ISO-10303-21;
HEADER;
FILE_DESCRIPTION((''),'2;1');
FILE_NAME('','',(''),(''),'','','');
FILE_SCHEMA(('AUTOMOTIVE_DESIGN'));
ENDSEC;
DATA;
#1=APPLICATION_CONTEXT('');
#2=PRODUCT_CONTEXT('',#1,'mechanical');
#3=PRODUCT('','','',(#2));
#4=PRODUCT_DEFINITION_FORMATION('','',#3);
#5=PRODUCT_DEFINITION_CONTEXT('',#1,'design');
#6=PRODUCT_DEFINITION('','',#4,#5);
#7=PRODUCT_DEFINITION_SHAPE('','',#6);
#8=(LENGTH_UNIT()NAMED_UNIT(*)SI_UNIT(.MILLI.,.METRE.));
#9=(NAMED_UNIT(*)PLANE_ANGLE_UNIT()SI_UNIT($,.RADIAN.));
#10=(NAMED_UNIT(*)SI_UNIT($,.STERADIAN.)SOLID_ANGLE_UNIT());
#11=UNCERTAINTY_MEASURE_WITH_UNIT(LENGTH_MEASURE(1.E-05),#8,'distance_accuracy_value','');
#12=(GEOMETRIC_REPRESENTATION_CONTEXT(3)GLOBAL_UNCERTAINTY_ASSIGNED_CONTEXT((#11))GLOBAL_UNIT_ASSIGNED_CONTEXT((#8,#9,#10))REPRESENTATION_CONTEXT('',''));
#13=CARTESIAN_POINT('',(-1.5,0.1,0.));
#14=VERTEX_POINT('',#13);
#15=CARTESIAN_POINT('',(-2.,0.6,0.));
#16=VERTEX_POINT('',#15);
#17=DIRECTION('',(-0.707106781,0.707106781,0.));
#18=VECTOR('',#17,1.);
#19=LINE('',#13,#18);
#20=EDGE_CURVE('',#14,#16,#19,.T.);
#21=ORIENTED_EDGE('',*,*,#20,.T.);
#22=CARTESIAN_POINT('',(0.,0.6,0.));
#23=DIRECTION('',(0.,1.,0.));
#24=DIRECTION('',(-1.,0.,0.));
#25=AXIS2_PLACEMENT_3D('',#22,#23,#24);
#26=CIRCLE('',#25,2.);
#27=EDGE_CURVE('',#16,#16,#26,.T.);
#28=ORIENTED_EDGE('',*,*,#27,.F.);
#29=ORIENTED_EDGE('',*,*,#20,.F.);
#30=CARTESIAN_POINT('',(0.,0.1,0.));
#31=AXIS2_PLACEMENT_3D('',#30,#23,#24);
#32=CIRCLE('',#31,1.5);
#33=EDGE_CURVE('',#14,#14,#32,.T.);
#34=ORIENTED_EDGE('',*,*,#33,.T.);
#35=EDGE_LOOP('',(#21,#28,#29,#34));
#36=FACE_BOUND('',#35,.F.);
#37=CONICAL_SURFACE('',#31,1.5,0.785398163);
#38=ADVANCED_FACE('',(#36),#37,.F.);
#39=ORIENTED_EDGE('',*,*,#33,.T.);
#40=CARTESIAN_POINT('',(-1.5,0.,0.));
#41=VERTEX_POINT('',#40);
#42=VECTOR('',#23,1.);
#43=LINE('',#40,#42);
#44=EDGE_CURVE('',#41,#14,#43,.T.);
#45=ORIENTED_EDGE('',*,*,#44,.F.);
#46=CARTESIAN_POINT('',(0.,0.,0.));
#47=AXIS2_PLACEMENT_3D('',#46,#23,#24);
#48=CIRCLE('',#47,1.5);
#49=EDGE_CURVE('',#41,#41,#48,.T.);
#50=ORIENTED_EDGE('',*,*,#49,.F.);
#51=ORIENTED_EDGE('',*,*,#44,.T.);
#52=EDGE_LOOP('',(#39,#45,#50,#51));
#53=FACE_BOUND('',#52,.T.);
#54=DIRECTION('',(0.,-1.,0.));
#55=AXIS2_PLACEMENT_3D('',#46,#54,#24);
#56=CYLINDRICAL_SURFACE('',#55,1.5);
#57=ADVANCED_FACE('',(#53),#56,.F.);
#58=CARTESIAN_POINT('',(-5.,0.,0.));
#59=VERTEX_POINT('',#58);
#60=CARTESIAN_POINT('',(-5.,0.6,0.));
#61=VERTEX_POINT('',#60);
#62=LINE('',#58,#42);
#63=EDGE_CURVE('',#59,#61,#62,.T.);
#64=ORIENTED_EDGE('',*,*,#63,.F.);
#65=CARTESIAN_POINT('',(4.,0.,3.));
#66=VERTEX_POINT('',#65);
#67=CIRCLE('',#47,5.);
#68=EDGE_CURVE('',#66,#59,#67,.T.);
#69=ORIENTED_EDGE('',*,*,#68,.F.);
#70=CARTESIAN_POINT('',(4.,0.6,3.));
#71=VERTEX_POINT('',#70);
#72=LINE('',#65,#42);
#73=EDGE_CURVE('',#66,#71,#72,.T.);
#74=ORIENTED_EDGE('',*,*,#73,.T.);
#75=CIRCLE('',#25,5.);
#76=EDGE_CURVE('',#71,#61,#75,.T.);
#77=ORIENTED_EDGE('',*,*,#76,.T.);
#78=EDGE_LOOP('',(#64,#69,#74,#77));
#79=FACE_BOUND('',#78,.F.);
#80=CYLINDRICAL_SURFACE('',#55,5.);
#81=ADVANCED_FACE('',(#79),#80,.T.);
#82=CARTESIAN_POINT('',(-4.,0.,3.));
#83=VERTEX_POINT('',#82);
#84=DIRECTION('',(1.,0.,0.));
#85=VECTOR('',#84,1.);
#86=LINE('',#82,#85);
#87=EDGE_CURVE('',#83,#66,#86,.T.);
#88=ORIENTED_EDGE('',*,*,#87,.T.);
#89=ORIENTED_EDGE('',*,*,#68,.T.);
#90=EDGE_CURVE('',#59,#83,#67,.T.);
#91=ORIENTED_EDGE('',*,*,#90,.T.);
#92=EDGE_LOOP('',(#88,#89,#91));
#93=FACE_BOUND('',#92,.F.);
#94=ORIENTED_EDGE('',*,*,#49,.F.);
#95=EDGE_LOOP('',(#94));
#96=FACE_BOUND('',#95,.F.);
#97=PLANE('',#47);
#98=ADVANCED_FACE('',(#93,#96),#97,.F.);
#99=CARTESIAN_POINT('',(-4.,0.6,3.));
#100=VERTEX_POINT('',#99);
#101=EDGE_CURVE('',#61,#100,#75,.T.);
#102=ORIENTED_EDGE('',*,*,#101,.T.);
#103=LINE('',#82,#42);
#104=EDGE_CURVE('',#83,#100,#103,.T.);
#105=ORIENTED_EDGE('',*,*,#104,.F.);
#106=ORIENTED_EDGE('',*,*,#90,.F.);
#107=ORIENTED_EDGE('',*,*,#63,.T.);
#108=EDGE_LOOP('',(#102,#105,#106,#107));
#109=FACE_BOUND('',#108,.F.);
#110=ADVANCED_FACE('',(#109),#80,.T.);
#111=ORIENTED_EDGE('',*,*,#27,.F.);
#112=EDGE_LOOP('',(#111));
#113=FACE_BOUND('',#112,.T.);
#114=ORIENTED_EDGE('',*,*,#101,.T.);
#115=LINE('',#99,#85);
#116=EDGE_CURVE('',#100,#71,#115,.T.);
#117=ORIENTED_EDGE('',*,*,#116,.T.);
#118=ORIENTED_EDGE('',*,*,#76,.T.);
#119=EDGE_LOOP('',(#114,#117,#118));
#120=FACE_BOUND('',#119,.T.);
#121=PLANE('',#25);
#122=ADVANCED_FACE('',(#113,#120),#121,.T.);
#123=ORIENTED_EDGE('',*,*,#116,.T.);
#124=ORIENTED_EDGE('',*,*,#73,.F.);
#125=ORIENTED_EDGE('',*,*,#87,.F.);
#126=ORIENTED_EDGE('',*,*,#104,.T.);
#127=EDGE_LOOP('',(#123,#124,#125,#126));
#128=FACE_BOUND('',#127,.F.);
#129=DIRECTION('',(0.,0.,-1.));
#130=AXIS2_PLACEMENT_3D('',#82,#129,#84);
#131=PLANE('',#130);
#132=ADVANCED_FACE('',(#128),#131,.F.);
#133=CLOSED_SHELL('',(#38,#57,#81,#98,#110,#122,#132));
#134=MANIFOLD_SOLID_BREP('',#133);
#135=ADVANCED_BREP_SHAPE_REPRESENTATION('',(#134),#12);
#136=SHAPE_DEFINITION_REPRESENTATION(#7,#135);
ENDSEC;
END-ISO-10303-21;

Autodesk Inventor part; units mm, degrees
ref_plane "YZ Plane" through (0, 0, 0) normal (1, 0, 0) x (0, 1, 0)
ref_plane "XZ Plane" through (0, 0, 0) normal (0, 1, 0) x (-1, 0, 0)
ref_plane "XY Plane" through (0, 0, 0) normal (0, 0, 1) x (1, 0, 0)
sketch "Эскиз1" plane through (0, 0, 0) normal (0, 1, 0) x (-1, 0, 0)
  circle A0 centre (0, 0) radius 5
  line L0 (4, 3) -> (-4, 3)
  circle A1 centre (0, 0) radius 1.5
  dimension "d0" = 10
  dimension "d1" = 3
  dimension "d2" = 3
extrude "Выдавливание1" add sketch "Эскиз1" along normal blind 0.6 contours A0 L0 picked at (-0.0603, 2.4964)
chamfer "Фаска1" distance 0.5 angle 45 1 edges at (1.5, 0.6, 0)
properties part number "Шайба"
